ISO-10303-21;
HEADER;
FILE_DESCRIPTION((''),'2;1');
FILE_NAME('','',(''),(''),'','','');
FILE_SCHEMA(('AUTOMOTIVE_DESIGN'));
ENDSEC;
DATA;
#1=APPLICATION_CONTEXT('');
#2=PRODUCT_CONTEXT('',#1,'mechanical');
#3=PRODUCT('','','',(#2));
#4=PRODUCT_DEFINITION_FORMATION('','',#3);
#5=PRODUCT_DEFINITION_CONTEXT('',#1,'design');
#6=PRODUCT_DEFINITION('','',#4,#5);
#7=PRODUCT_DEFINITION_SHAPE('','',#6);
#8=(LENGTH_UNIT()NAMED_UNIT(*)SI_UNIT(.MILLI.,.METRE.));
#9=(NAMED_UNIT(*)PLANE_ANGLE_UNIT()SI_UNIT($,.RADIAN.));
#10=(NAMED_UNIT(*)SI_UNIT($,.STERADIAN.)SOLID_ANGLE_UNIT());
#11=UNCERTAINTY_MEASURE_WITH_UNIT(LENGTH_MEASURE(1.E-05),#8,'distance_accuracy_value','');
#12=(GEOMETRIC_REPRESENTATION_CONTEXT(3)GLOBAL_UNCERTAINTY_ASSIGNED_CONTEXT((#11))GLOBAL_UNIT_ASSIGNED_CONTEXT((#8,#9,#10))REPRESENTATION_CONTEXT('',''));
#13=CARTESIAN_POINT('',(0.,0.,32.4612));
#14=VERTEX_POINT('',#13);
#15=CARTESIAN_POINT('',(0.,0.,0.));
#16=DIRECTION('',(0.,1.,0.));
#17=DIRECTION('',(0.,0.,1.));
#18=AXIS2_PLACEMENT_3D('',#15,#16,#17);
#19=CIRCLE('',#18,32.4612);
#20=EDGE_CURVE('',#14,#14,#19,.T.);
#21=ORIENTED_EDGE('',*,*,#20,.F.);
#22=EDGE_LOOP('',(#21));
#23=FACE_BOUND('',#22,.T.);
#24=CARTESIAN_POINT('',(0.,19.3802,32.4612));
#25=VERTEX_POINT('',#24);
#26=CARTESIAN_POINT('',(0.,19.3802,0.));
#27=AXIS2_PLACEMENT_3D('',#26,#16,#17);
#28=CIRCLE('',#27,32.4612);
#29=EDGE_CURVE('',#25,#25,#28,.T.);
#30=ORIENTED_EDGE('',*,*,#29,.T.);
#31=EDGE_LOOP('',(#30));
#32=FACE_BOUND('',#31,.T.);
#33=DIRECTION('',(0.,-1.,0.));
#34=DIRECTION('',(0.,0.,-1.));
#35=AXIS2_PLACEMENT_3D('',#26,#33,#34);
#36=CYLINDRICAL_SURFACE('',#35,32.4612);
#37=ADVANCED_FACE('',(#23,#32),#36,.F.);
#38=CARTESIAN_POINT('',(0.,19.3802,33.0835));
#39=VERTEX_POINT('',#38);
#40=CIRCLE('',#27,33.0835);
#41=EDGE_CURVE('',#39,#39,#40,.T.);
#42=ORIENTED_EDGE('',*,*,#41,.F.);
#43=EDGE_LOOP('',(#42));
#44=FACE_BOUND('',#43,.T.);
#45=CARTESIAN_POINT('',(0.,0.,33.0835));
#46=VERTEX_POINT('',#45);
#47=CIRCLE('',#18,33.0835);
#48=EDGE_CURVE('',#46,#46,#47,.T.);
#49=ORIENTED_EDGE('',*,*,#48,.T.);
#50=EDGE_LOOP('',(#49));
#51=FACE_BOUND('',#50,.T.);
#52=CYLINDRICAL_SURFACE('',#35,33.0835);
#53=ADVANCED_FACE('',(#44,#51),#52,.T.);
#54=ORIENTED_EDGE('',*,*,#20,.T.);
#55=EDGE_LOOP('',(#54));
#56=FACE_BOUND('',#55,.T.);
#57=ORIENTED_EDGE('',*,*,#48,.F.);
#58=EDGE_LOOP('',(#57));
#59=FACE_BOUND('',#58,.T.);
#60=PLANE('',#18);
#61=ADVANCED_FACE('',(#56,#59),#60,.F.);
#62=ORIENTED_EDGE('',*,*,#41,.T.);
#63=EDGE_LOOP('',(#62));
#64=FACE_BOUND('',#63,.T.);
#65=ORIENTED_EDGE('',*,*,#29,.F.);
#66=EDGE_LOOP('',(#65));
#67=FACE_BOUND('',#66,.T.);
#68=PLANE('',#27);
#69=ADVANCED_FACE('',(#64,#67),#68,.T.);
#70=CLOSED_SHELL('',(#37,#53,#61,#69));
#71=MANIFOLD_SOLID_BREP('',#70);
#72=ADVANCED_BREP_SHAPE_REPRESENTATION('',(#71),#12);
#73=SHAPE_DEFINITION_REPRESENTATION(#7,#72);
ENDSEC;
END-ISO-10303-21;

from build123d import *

# Parameters (mm, degrees)
SKETCH1_R           = 33.0835
SKETCH1_R_2         = 32.4612
BOSS_EXTRUDE1_DEPTH = 19.3802


with BuildPart() as part:
    # Sketch1 → Boss-Extrude1 (new body)
    with BuildSketch(Plane(origin=(0, 0, 0), x_dir=(1, 0, 0), z_dir=(0, 1, 0))):
        Circle(SKETCH1_R)
        Circle(SKETCH1_R_2, mode=Mode.SUBTRACT)
    extrude(amount=BOSS_EXTRUDE1_DEPTH)


solid = part.part
